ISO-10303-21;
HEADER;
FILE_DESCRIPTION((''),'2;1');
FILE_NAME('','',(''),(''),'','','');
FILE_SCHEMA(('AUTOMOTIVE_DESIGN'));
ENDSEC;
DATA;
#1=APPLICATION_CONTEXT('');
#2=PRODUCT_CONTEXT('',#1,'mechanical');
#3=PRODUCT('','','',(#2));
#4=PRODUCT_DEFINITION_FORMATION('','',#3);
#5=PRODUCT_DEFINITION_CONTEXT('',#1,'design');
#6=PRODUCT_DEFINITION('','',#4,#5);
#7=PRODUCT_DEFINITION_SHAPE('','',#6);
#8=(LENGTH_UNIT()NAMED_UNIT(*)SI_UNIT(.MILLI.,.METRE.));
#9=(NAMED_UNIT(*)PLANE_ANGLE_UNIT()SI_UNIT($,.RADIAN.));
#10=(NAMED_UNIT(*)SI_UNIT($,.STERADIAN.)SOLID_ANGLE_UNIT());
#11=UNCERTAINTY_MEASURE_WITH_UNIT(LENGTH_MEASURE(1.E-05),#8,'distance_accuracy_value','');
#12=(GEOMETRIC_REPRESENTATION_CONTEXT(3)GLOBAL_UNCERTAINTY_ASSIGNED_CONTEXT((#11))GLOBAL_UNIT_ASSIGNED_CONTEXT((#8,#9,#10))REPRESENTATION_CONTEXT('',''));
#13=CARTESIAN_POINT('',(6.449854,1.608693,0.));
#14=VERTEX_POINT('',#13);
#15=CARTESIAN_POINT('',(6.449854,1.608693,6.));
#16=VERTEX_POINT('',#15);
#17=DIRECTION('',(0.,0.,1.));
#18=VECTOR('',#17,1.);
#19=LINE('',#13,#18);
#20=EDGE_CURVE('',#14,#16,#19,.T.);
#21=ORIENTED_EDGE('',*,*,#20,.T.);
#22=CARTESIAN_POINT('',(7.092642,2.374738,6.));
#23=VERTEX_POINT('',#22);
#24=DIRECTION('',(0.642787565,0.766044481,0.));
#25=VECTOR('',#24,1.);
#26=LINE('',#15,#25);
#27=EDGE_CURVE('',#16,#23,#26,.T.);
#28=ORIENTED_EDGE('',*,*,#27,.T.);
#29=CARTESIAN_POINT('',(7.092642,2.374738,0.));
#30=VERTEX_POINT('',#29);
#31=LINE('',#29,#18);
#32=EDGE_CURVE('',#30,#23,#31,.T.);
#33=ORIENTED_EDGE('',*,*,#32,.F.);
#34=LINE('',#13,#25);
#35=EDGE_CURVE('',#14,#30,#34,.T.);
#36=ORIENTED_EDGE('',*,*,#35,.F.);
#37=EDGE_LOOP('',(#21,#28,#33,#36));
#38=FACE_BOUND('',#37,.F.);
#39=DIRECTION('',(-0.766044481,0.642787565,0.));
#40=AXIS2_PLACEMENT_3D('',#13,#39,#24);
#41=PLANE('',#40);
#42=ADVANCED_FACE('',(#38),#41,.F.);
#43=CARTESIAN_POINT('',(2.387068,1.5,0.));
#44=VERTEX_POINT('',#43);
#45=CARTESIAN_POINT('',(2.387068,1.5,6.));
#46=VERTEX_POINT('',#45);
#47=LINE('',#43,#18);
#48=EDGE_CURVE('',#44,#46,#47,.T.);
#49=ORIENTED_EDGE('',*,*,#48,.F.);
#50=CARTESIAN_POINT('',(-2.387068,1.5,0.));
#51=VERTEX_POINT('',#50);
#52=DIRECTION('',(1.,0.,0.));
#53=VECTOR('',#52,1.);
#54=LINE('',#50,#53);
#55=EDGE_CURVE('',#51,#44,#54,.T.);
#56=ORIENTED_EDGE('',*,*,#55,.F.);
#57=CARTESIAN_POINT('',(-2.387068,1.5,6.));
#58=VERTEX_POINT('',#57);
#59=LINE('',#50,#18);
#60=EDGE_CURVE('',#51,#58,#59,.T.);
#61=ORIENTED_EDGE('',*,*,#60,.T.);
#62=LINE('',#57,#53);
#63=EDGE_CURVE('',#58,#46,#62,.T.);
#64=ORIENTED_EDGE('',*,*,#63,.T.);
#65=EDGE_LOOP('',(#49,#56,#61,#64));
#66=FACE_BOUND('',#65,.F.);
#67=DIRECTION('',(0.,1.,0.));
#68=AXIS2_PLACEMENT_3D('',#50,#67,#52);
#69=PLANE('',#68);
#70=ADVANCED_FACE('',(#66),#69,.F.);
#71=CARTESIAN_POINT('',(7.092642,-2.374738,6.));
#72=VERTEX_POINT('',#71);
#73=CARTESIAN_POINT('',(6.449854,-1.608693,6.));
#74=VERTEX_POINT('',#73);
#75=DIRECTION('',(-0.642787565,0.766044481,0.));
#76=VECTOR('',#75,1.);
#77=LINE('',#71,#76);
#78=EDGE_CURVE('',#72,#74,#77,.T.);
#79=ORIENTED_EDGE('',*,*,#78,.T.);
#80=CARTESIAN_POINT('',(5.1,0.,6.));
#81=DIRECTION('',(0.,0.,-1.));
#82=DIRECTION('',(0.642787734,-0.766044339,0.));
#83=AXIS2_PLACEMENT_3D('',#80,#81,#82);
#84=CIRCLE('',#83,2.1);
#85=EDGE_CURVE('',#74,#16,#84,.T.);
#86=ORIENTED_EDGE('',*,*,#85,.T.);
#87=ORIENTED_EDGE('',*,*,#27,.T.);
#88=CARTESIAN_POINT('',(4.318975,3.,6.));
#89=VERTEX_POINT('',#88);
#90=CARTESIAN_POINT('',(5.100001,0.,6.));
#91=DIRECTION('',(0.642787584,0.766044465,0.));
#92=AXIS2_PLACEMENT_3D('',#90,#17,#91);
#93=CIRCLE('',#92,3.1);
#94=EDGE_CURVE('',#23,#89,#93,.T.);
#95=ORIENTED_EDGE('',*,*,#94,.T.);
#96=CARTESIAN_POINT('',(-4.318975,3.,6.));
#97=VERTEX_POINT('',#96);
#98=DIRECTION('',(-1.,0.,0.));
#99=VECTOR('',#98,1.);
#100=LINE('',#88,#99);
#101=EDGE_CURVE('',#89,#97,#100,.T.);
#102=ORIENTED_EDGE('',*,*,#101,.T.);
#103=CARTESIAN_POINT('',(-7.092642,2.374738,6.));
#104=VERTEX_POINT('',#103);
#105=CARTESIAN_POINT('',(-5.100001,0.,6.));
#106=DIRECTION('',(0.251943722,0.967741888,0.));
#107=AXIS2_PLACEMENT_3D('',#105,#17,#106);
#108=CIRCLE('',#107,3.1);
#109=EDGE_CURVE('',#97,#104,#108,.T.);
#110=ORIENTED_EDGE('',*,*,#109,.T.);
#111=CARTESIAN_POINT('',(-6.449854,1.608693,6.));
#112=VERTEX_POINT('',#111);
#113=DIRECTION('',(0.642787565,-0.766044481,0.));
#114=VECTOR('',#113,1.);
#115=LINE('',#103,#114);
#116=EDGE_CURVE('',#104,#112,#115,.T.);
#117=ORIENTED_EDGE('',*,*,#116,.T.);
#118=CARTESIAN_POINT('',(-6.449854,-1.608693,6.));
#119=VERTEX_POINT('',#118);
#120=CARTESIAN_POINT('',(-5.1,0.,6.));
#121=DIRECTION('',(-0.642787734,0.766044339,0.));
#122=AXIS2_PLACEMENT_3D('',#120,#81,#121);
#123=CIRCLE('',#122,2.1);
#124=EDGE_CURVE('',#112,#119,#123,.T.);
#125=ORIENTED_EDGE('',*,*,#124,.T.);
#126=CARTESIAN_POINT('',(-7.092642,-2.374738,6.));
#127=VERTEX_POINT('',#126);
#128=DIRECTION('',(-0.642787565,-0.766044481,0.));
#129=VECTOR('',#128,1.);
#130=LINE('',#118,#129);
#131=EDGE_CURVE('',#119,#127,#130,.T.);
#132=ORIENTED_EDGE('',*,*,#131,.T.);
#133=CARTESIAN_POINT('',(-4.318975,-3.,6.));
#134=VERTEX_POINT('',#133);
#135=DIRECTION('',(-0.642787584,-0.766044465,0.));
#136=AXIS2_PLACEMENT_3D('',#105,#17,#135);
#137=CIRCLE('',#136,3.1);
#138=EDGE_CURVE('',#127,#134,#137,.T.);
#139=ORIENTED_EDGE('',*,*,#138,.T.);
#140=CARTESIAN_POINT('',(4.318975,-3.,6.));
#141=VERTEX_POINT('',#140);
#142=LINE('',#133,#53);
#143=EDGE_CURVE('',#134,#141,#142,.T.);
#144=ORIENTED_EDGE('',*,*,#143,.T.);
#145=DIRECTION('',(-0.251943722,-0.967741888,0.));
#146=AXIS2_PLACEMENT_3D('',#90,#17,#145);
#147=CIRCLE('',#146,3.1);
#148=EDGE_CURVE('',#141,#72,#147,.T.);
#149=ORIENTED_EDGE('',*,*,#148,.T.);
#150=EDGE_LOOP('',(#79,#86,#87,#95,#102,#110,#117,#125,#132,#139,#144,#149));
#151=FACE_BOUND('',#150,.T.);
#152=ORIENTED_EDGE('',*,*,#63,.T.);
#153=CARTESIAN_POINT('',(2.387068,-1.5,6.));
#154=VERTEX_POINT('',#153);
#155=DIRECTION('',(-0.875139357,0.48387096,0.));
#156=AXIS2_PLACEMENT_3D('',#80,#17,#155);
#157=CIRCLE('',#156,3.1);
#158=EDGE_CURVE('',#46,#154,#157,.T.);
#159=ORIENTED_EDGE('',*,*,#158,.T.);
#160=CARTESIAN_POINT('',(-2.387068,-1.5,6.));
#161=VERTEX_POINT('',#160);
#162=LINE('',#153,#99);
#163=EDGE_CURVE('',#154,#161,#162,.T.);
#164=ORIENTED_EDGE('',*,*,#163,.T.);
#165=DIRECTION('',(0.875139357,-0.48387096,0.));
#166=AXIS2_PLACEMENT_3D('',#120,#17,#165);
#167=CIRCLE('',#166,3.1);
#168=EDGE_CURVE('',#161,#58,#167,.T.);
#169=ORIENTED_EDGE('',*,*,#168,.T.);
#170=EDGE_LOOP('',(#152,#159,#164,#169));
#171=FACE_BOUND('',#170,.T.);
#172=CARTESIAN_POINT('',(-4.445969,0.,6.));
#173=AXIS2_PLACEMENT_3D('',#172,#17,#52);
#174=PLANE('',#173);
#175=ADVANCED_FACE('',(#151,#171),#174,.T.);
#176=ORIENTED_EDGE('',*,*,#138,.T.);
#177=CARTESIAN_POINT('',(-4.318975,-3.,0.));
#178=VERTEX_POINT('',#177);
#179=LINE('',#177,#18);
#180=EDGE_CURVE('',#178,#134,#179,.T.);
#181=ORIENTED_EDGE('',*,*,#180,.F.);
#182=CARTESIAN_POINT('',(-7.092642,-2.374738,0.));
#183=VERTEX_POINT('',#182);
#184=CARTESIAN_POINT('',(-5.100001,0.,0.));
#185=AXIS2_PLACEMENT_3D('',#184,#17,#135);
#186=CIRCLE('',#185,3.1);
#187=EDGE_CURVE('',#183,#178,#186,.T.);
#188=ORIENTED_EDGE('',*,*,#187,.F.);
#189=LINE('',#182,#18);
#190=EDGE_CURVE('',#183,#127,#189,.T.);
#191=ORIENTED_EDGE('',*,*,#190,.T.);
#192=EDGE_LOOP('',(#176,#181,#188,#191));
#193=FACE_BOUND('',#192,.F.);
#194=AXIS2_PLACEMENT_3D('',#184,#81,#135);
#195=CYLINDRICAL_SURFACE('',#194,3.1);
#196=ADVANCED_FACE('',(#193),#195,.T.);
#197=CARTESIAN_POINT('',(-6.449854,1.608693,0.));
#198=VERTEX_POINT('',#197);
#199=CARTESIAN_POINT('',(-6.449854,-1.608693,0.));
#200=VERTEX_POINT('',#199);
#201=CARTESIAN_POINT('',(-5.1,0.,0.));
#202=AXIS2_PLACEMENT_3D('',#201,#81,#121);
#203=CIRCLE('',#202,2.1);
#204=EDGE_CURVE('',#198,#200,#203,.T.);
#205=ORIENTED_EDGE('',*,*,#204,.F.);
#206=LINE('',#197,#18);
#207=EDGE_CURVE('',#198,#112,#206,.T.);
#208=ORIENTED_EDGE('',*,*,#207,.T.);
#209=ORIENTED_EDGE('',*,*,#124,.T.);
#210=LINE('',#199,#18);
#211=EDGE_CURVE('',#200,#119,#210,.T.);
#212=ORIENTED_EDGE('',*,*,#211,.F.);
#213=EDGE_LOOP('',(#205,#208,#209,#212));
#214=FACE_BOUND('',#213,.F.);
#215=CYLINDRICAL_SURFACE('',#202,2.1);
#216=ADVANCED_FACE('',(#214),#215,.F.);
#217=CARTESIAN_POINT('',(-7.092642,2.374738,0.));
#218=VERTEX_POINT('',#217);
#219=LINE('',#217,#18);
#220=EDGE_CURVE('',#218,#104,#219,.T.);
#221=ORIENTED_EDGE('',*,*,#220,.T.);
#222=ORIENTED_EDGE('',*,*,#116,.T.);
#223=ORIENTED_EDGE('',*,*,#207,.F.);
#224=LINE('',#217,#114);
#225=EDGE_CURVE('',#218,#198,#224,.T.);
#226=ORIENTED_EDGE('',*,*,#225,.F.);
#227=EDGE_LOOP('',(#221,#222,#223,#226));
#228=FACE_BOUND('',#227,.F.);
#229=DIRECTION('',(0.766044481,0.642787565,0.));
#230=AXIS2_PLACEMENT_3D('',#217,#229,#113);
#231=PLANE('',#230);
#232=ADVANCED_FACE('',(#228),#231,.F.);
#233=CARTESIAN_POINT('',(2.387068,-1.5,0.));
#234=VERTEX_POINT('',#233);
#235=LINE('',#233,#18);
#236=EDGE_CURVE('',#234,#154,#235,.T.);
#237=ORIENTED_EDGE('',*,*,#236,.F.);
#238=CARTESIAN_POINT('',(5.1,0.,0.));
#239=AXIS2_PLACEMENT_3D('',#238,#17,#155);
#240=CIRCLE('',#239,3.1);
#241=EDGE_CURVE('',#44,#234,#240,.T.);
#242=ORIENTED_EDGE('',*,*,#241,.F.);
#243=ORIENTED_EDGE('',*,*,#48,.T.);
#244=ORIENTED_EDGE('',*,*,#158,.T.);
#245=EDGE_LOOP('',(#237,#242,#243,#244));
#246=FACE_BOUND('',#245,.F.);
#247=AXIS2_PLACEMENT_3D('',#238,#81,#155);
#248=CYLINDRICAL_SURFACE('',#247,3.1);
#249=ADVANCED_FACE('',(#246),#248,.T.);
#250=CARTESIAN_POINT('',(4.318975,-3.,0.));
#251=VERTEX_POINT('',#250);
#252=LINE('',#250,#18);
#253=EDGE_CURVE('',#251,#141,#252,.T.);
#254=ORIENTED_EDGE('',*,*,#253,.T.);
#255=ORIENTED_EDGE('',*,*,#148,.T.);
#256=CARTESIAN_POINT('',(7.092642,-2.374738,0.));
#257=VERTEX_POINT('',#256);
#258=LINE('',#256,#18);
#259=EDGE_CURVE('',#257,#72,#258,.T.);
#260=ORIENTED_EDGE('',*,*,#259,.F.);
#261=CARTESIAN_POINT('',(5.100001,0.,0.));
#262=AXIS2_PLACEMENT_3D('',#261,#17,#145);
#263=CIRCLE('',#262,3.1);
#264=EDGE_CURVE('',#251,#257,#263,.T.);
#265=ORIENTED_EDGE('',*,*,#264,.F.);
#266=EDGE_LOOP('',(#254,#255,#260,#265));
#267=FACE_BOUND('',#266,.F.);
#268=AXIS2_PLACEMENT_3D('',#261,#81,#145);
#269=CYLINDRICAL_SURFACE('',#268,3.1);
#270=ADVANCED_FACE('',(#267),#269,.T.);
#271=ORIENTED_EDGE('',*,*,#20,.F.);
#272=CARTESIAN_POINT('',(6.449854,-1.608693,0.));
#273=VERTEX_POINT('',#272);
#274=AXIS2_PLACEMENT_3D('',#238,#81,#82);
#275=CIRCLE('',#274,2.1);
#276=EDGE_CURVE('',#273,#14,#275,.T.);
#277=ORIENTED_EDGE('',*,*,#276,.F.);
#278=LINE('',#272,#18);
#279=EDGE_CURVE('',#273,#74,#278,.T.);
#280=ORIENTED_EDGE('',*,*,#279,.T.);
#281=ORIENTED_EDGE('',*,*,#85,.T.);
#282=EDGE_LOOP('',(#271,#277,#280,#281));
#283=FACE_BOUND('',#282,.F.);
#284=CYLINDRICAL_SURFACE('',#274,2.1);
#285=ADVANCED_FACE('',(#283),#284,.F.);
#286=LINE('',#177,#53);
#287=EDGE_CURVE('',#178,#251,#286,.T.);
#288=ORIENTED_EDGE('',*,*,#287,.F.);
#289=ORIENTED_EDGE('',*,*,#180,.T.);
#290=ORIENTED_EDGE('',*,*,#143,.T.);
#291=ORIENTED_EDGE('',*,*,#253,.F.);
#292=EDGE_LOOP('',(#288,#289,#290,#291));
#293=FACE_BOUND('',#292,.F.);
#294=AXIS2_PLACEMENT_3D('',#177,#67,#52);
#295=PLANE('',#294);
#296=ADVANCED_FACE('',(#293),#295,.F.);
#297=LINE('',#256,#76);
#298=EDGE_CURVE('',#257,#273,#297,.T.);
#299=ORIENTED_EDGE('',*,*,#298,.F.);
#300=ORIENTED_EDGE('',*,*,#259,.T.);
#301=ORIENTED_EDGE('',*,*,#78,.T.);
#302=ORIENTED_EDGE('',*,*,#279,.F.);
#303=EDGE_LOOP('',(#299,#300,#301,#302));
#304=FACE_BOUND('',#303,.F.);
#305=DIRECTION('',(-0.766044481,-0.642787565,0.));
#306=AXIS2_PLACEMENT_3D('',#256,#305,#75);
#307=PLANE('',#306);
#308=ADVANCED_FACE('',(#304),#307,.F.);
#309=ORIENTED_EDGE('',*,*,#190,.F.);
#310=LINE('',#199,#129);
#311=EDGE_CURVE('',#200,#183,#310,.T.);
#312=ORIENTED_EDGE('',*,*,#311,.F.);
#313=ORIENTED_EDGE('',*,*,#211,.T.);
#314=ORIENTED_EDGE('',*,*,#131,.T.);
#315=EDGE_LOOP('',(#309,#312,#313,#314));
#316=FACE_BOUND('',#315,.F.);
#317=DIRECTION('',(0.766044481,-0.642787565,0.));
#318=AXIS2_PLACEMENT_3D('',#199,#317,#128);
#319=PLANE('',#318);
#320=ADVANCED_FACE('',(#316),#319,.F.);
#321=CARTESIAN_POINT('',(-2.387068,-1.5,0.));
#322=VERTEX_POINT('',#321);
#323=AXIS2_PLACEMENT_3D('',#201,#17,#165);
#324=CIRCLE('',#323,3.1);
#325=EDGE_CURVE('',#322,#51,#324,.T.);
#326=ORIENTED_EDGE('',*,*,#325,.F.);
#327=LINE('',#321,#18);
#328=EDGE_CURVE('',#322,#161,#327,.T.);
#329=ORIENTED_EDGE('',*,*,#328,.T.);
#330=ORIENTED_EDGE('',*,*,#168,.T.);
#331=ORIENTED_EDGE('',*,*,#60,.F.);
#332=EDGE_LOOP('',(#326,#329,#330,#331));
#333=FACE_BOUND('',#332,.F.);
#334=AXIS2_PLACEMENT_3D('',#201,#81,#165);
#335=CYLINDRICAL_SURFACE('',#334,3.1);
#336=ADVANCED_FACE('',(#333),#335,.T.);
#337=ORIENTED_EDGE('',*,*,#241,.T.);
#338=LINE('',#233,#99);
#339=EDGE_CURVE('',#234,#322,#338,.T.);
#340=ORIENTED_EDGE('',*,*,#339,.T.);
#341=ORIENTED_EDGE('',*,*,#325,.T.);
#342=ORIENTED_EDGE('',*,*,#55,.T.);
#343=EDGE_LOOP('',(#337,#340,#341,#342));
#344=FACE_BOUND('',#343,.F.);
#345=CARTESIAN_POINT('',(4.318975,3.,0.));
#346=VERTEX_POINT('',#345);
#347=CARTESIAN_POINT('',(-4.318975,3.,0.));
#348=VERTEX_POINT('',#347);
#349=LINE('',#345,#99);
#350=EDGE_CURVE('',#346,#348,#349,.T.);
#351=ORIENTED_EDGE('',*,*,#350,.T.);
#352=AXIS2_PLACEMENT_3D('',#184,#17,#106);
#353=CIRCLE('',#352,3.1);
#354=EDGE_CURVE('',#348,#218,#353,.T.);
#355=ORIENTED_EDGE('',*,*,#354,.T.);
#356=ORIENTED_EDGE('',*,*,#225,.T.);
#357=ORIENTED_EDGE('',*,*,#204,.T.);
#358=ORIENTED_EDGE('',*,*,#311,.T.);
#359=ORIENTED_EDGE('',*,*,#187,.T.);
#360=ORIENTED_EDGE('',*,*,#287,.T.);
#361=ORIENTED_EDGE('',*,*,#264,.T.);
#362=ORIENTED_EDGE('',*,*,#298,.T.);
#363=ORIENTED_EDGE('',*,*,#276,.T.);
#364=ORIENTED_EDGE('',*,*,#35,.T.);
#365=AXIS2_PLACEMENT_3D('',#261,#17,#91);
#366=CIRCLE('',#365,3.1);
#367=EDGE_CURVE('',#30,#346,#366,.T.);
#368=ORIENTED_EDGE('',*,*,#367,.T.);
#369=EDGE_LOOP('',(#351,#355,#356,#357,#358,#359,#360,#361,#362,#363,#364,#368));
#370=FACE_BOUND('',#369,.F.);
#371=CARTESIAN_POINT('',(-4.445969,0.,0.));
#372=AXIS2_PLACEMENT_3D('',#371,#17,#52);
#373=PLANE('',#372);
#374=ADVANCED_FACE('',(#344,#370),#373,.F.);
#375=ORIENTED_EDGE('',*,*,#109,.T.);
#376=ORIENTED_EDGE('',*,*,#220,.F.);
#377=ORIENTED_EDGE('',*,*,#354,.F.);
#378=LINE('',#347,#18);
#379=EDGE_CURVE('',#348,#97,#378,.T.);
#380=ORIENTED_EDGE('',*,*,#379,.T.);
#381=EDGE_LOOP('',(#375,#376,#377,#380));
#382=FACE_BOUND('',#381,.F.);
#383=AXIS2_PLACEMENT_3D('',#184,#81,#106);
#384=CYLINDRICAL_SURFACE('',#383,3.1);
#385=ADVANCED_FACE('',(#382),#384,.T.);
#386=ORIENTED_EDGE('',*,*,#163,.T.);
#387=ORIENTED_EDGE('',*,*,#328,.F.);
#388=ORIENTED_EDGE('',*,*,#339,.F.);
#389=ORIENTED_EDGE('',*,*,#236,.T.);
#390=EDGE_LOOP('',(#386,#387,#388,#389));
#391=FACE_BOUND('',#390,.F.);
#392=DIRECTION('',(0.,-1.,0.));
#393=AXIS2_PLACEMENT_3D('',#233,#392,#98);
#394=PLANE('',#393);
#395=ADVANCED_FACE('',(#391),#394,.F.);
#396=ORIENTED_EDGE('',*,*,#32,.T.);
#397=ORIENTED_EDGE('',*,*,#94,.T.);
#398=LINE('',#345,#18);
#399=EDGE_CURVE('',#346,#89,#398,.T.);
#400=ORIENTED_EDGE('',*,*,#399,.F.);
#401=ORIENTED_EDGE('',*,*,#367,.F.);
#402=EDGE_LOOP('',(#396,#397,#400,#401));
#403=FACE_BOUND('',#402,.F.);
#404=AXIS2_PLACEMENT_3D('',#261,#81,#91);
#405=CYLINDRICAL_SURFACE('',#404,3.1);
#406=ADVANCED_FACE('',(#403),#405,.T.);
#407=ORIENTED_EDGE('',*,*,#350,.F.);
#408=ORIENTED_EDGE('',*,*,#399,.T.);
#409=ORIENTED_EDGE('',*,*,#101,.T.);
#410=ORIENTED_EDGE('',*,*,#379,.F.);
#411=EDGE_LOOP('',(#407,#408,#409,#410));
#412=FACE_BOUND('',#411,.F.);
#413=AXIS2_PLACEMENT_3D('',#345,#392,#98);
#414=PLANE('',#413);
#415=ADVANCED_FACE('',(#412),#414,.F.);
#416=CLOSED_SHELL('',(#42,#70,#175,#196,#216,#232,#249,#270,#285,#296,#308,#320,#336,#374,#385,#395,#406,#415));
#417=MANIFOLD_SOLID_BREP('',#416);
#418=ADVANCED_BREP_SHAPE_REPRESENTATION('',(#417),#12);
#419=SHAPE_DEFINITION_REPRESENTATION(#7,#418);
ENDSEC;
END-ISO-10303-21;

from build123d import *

# Parameters (mm, degrees)
F1_DEPTH = 6


with BuildPart() as f1:
    # F0 (on Top) → F1 (new body)
    with BuildSketch(Plane.XY):
        with BuildLine():
            ThreePointArc((-6.449854, 1.608693), (-3, 0), (-6.449854, -1.608693))
            Line((-6.449854, -1.608693), (-7.092642, -2.374738))
            ThreePointArc((-7.092642, -2.374738), (-5.78172, -3.024113), (-4.318975, -3))
            ThreePointArc((-4.318975, -3), (-3.198834, -2.448585), (-2.387068, -1.5))
            ThreePointArc((-2.387068, -1.5), (-2, 0), (-2.387068, 1.5))
            ThreePointArc((-2.387068, 1.5), (-3.198834, 2.448585), (-4.318975, 3))
            ThreePointArc((-4.318975, 3), (-5.78172, 3.024113), (-7.092642, 2.374738))
            Line((-7.092642, 2.374738), (-6.449854, 1.608693))
        make_face()
        with BuildLine():
            Line((4.318975, 3), (-4.318975, 3))
            ThreePointArc((-4.318975, 3), (-3.198834, 2.448585), (-2.387068, 1.5))
            Line((-2.387068, 1.5), (2.387068, 1.5))
            ThreePointArc((2.387068, 1.5), (3.198834, 2.448585), (4.318975, 3))
        make_face()
        with BuildLine():
            ThreePointArc((2.387068, -1.5), (3.198834, -2.448585), (4.318975, -3))
            ThreePointArc((4.318975, -3), (5.78172, -3.024113), (7.092642, -2.374738))
            Line((7.092642, -2.374738), (6.449854, -1.608693))
            ThreePointArc((6.449854, -1.608693), (3, 0), (6.449854, 1.608693))
            Line((6.449854, 1.608693), (7.092642, 2.374738))
            ThreePointArc((7.092642, 2.374738), (5.78172, 3.024113), (4.318975, 3))
            ThreePointArc((4.318975, 3), (3.198834, 2.448585), (2.387068, 1.5))
            ThreePointArc((2.387068, 1.5), (2, 0), (2.387068, -1.5))
        make_face()
        with BuildLine():
            ThreePointArc((-2.387068, -1.5), (-3.198834, -2.448585), (-4.318975, -3))
            Line((-4.318975, -3), (4.318975, -3))
            ThreePointArc((4.318975, -3), (3.198834, -2.448585), (2.387068, -1.5))
            Line((2.387068, -1.5), (-2.387068, -1.5))
        make_face()
    extrude(amount=F1_DEPTH)


solid = f1.part
